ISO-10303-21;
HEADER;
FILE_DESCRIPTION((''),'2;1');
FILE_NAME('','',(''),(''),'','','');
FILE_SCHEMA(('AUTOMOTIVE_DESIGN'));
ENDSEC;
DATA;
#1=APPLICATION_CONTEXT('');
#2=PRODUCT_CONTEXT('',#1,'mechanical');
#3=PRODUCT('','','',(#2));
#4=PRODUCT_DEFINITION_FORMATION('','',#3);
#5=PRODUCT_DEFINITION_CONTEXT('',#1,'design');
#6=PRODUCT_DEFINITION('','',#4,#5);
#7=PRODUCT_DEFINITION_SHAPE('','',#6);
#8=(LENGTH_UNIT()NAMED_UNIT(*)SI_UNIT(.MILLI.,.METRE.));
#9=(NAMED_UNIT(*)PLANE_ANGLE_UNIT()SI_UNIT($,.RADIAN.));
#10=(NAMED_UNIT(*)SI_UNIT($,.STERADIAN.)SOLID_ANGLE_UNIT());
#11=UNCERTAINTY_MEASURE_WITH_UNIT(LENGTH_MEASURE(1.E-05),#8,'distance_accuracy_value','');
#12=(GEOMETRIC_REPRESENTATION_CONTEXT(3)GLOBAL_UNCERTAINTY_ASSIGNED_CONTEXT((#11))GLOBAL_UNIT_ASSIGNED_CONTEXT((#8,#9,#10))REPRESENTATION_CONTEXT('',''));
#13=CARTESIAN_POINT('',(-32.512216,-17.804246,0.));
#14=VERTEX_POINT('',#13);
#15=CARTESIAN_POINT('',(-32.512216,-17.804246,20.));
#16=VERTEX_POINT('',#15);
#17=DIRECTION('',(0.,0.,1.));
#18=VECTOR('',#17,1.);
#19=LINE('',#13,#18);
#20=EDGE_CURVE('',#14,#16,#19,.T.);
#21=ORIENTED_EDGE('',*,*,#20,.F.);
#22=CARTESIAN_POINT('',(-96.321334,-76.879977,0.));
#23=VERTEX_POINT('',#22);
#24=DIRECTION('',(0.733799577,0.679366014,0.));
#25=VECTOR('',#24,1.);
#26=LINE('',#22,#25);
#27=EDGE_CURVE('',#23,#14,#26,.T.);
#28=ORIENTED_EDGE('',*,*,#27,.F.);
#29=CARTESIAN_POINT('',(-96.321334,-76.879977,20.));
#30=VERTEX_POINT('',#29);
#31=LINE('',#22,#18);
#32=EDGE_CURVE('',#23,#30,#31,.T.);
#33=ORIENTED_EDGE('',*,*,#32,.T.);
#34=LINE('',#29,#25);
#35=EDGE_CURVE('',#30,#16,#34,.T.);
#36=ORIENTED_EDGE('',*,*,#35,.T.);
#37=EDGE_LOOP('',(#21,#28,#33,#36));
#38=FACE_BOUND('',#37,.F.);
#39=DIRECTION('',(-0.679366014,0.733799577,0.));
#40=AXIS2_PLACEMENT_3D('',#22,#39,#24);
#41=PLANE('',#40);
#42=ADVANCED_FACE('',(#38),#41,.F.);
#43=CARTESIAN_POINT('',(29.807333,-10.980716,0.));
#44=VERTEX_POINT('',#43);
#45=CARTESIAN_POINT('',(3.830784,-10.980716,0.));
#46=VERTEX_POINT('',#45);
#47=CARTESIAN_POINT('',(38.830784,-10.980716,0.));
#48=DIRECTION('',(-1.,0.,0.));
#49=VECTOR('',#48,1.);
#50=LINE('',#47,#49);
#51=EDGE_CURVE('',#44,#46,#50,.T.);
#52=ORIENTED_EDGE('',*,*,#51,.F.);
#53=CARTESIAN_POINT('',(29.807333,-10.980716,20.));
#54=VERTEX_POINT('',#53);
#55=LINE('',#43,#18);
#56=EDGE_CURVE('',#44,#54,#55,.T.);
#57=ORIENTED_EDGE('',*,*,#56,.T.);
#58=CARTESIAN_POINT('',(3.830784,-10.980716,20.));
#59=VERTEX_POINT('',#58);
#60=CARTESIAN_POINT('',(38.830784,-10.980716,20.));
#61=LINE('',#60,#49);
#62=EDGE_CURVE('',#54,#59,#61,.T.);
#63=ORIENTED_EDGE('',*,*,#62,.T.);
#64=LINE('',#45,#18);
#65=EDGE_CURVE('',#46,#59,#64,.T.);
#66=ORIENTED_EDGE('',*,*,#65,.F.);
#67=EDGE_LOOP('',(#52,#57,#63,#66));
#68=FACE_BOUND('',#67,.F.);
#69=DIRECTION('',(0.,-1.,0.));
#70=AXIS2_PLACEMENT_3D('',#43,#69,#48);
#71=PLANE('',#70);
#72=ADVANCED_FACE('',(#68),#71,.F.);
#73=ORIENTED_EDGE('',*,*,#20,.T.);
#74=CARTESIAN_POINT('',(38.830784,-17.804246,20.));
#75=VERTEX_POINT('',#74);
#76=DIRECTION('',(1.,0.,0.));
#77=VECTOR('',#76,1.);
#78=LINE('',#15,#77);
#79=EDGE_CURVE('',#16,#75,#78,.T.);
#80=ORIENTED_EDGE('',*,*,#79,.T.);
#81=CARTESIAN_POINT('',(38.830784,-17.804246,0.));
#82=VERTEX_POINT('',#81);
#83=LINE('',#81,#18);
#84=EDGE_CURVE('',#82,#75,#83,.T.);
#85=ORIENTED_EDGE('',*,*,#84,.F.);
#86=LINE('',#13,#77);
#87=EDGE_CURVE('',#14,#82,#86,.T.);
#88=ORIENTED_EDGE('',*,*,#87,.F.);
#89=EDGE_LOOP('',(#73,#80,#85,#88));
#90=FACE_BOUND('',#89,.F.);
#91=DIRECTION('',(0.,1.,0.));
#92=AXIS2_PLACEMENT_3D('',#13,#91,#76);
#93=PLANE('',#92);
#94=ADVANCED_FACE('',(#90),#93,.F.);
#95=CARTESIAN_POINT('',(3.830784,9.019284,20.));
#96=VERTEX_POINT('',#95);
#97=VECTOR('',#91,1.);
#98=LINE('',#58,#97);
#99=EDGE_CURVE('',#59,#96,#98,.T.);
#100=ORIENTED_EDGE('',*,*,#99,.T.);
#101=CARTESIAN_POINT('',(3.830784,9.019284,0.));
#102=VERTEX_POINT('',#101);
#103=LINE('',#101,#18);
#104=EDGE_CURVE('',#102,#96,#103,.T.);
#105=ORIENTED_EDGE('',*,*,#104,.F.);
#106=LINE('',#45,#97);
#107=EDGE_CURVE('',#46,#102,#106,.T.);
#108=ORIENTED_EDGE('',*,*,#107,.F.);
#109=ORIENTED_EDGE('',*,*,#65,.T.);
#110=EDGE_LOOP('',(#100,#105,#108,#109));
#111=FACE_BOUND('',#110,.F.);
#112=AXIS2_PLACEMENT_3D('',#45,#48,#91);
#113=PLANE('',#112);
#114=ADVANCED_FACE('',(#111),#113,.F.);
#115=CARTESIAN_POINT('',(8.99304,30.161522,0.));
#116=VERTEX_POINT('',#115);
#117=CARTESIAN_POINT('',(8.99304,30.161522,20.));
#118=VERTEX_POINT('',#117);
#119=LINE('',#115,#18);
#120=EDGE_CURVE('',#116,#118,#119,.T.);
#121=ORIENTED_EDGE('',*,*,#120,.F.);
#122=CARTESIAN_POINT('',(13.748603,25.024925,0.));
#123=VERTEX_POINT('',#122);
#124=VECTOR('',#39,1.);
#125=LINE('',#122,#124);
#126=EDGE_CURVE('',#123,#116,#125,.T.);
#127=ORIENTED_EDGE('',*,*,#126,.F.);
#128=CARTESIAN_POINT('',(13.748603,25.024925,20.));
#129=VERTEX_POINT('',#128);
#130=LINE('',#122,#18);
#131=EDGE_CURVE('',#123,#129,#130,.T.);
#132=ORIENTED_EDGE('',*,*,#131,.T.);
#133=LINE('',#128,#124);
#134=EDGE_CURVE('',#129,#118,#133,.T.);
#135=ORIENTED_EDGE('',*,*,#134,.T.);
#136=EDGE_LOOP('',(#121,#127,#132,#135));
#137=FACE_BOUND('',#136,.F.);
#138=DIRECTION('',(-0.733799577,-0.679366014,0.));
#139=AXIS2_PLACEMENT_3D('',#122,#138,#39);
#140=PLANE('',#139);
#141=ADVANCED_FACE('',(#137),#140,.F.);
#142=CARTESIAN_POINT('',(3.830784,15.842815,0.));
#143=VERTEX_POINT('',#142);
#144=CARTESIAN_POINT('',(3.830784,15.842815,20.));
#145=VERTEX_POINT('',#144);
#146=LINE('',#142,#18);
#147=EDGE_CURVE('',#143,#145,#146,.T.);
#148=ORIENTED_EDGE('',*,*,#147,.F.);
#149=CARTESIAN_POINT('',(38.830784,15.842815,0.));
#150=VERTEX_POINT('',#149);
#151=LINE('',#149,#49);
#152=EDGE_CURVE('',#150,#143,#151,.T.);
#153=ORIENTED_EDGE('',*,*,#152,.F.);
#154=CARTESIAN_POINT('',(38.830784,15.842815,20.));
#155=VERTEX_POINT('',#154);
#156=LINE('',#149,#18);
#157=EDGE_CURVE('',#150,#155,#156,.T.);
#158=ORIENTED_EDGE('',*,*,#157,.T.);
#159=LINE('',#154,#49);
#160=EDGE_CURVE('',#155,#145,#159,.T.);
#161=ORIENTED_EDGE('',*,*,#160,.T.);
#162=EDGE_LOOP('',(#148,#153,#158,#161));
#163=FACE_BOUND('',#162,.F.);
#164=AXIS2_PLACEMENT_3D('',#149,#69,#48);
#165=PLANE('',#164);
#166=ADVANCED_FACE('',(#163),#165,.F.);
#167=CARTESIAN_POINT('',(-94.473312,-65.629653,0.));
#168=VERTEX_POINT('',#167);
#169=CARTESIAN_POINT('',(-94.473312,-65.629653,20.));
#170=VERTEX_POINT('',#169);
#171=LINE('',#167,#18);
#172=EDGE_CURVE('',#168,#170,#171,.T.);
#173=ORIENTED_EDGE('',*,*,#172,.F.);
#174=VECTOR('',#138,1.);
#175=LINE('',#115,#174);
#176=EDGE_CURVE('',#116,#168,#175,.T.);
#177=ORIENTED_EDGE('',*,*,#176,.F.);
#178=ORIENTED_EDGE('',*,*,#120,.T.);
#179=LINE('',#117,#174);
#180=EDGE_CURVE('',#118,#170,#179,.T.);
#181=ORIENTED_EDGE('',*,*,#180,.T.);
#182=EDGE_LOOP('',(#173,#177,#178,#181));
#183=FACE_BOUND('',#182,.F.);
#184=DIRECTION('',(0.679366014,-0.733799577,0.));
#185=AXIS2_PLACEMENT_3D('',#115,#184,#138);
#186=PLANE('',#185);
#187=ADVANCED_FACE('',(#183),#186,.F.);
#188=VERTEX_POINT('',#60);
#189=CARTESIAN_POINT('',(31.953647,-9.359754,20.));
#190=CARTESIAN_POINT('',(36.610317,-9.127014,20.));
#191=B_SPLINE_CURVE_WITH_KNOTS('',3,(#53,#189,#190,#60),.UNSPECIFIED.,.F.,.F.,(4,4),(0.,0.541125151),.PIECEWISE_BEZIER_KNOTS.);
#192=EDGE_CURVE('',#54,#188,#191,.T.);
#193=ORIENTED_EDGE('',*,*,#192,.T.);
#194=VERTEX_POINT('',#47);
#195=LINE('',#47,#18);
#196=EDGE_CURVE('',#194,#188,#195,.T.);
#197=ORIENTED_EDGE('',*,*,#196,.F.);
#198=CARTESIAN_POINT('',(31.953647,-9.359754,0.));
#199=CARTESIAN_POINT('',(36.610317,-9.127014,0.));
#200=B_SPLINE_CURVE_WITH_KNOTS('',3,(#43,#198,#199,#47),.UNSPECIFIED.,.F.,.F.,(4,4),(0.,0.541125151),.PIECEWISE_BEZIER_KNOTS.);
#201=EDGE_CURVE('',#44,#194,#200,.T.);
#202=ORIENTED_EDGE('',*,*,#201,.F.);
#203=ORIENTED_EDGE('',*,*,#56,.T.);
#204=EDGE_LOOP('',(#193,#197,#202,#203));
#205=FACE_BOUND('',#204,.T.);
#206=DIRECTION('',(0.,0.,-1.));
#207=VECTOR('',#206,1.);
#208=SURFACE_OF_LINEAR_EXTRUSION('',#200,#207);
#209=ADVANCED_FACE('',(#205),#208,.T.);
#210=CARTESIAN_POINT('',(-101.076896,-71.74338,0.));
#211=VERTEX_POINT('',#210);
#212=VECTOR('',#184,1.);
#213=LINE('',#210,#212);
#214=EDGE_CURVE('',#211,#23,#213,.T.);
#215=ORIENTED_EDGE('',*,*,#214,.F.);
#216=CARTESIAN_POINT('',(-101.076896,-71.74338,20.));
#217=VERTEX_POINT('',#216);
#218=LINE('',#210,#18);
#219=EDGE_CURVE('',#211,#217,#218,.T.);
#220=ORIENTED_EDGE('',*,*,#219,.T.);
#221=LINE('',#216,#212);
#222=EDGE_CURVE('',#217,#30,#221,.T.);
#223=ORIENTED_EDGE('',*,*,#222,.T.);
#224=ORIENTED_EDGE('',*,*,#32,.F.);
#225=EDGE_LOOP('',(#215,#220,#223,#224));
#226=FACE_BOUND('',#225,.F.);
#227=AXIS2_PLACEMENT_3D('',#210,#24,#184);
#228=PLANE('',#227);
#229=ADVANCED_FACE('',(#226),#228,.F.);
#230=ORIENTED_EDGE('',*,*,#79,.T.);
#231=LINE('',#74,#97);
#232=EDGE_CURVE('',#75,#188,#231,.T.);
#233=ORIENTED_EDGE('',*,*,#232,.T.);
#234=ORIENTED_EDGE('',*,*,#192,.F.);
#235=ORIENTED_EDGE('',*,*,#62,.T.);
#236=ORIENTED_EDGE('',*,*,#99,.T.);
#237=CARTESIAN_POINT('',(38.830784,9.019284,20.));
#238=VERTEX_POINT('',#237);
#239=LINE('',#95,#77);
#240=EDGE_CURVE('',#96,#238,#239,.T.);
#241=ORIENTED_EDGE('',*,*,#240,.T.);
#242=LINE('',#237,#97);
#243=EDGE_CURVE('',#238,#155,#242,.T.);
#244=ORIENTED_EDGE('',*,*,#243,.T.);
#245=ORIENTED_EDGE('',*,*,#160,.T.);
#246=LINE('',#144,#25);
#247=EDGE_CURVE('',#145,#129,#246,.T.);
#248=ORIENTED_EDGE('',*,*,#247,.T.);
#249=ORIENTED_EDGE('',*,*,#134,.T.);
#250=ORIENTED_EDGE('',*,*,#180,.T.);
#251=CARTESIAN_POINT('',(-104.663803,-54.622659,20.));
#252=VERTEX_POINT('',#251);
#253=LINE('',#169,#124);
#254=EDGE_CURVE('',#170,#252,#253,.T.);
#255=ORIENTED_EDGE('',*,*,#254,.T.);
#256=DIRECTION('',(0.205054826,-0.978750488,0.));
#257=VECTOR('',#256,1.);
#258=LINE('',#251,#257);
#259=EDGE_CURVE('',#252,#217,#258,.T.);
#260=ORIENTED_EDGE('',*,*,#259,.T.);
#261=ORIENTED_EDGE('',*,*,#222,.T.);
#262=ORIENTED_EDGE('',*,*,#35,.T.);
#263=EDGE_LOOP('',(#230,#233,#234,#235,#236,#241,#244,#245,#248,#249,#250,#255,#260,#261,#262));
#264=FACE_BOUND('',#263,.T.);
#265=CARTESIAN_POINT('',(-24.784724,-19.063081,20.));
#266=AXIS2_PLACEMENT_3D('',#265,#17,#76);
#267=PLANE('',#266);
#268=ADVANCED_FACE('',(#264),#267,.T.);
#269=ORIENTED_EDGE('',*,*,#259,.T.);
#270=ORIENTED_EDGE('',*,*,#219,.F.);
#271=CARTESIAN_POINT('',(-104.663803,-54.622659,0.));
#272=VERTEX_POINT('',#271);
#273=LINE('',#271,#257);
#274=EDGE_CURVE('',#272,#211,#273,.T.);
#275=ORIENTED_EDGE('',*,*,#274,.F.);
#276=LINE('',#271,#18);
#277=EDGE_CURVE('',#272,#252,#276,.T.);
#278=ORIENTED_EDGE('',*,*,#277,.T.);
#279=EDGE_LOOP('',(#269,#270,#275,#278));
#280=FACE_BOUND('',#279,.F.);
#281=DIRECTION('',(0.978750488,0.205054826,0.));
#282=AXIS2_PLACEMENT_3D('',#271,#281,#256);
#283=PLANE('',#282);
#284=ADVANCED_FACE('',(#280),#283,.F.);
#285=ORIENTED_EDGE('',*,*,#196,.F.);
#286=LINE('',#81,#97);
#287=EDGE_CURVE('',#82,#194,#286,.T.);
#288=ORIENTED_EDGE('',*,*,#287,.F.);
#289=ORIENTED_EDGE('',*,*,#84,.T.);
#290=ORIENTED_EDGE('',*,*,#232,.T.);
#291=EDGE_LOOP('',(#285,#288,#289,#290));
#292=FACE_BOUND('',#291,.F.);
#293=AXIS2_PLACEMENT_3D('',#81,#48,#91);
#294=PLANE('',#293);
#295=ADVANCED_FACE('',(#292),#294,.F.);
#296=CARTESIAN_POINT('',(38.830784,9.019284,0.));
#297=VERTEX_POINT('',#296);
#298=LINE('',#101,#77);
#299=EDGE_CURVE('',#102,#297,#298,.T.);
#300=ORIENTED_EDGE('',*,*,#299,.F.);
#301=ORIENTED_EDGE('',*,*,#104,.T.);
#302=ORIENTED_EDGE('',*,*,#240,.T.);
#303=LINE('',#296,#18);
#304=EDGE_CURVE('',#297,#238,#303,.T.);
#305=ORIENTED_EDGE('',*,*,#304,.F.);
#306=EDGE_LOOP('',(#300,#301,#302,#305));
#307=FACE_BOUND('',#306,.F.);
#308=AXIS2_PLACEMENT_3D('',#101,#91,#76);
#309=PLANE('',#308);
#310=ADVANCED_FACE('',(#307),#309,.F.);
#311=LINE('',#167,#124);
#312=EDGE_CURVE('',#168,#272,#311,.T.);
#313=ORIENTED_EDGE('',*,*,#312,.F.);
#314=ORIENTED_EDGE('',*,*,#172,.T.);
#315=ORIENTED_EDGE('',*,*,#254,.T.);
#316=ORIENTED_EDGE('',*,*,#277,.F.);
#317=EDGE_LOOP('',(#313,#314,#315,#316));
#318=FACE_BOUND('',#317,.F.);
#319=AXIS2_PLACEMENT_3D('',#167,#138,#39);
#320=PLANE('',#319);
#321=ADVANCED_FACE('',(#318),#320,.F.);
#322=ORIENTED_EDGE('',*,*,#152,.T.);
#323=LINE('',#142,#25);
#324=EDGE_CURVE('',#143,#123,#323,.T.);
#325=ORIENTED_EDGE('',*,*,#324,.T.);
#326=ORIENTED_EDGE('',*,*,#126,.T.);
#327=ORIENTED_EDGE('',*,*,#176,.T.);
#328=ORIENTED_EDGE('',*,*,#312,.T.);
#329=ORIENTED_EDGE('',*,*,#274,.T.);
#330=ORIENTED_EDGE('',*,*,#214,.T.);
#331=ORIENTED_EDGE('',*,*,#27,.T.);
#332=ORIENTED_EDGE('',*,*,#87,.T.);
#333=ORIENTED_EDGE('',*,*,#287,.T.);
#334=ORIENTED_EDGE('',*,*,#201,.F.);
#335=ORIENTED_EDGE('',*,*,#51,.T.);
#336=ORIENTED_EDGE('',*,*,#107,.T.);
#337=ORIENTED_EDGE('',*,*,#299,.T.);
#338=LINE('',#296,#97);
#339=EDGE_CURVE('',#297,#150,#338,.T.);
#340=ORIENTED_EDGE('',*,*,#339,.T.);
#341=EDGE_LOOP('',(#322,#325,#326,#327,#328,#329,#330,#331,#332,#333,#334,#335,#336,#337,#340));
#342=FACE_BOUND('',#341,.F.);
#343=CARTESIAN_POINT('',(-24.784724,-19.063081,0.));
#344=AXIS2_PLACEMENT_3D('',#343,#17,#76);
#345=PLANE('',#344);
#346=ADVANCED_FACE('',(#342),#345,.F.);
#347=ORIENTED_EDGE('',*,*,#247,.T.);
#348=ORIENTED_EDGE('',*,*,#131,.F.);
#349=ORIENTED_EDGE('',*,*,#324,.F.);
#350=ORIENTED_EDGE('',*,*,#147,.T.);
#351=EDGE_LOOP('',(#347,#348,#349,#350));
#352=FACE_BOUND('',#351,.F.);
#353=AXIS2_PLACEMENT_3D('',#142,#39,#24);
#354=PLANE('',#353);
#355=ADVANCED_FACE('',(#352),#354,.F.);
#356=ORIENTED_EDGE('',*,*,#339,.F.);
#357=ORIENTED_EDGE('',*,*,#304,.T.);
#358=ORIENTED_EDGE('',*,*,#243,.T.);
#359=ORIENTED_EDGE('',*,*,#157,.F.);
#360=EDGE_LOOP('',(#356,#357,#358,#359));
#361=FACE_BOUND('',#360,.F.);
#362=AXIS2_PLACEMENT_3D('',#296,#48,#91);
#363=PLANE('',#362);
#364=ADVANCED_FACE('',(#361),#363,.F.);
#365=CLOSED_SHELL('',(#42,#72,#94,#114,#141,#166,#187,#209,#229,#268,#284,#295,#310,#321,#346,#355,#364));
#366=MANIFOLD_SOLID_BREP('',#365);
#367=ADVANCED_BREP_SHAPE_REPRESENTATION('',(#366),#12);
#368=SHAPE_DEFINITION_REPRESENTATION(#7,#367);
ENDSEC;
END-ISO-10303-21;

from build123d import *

# Parameters (mm, degrees)
F1_DEPTH = 20


with BuildPart() as f1:
    # F0 (on Top) → F1 (new body)
    with BuildSketch(Plane.XY):
        Polygon((38.8307844102, 9.0192841616), (38.8307844102, 15.8428145998), (3.8307844102, 15.8428145998), (13.7486025482, 25.0249247901), (8.9930404515, 30.1615218295), (-94.4733123307, -65.6296531073), (-104.6638025379, -54.6226594516), (-101.0768961056, -71.7433802426), (-96.3213340089, -76.8799772819), (-32.5122155898, -17.8042462767), (3.8307844102, -17.8042462767), (38.8307844102, -17.8042462767), (38.8307844102, -10.9807158384), (29.8073329031, -10.9807158384), (3.8307844102, -10.9807158384), (3.8307844102, 9.0192841616), align=None)
        with BuildLine():
            add(Edge.make_bspline(
                [(29.8073329031, -10.9807158384), (31.9536474804, -9.3597537572), (36.6103170918, -9.1270142859), (38.8307844102, -10.9807158384)],
                knots=[0, 0, 0, 0, 0.5411251506, 0.5411251506, 0.5411251506, 0.5411251506], degree=3))
            Line((29.8073329031, -10.9807158384), (38.8307844102, -10.9807158384))
        make_face()
    extrude(amount=F1_DEPTH)


solid = f1.part
